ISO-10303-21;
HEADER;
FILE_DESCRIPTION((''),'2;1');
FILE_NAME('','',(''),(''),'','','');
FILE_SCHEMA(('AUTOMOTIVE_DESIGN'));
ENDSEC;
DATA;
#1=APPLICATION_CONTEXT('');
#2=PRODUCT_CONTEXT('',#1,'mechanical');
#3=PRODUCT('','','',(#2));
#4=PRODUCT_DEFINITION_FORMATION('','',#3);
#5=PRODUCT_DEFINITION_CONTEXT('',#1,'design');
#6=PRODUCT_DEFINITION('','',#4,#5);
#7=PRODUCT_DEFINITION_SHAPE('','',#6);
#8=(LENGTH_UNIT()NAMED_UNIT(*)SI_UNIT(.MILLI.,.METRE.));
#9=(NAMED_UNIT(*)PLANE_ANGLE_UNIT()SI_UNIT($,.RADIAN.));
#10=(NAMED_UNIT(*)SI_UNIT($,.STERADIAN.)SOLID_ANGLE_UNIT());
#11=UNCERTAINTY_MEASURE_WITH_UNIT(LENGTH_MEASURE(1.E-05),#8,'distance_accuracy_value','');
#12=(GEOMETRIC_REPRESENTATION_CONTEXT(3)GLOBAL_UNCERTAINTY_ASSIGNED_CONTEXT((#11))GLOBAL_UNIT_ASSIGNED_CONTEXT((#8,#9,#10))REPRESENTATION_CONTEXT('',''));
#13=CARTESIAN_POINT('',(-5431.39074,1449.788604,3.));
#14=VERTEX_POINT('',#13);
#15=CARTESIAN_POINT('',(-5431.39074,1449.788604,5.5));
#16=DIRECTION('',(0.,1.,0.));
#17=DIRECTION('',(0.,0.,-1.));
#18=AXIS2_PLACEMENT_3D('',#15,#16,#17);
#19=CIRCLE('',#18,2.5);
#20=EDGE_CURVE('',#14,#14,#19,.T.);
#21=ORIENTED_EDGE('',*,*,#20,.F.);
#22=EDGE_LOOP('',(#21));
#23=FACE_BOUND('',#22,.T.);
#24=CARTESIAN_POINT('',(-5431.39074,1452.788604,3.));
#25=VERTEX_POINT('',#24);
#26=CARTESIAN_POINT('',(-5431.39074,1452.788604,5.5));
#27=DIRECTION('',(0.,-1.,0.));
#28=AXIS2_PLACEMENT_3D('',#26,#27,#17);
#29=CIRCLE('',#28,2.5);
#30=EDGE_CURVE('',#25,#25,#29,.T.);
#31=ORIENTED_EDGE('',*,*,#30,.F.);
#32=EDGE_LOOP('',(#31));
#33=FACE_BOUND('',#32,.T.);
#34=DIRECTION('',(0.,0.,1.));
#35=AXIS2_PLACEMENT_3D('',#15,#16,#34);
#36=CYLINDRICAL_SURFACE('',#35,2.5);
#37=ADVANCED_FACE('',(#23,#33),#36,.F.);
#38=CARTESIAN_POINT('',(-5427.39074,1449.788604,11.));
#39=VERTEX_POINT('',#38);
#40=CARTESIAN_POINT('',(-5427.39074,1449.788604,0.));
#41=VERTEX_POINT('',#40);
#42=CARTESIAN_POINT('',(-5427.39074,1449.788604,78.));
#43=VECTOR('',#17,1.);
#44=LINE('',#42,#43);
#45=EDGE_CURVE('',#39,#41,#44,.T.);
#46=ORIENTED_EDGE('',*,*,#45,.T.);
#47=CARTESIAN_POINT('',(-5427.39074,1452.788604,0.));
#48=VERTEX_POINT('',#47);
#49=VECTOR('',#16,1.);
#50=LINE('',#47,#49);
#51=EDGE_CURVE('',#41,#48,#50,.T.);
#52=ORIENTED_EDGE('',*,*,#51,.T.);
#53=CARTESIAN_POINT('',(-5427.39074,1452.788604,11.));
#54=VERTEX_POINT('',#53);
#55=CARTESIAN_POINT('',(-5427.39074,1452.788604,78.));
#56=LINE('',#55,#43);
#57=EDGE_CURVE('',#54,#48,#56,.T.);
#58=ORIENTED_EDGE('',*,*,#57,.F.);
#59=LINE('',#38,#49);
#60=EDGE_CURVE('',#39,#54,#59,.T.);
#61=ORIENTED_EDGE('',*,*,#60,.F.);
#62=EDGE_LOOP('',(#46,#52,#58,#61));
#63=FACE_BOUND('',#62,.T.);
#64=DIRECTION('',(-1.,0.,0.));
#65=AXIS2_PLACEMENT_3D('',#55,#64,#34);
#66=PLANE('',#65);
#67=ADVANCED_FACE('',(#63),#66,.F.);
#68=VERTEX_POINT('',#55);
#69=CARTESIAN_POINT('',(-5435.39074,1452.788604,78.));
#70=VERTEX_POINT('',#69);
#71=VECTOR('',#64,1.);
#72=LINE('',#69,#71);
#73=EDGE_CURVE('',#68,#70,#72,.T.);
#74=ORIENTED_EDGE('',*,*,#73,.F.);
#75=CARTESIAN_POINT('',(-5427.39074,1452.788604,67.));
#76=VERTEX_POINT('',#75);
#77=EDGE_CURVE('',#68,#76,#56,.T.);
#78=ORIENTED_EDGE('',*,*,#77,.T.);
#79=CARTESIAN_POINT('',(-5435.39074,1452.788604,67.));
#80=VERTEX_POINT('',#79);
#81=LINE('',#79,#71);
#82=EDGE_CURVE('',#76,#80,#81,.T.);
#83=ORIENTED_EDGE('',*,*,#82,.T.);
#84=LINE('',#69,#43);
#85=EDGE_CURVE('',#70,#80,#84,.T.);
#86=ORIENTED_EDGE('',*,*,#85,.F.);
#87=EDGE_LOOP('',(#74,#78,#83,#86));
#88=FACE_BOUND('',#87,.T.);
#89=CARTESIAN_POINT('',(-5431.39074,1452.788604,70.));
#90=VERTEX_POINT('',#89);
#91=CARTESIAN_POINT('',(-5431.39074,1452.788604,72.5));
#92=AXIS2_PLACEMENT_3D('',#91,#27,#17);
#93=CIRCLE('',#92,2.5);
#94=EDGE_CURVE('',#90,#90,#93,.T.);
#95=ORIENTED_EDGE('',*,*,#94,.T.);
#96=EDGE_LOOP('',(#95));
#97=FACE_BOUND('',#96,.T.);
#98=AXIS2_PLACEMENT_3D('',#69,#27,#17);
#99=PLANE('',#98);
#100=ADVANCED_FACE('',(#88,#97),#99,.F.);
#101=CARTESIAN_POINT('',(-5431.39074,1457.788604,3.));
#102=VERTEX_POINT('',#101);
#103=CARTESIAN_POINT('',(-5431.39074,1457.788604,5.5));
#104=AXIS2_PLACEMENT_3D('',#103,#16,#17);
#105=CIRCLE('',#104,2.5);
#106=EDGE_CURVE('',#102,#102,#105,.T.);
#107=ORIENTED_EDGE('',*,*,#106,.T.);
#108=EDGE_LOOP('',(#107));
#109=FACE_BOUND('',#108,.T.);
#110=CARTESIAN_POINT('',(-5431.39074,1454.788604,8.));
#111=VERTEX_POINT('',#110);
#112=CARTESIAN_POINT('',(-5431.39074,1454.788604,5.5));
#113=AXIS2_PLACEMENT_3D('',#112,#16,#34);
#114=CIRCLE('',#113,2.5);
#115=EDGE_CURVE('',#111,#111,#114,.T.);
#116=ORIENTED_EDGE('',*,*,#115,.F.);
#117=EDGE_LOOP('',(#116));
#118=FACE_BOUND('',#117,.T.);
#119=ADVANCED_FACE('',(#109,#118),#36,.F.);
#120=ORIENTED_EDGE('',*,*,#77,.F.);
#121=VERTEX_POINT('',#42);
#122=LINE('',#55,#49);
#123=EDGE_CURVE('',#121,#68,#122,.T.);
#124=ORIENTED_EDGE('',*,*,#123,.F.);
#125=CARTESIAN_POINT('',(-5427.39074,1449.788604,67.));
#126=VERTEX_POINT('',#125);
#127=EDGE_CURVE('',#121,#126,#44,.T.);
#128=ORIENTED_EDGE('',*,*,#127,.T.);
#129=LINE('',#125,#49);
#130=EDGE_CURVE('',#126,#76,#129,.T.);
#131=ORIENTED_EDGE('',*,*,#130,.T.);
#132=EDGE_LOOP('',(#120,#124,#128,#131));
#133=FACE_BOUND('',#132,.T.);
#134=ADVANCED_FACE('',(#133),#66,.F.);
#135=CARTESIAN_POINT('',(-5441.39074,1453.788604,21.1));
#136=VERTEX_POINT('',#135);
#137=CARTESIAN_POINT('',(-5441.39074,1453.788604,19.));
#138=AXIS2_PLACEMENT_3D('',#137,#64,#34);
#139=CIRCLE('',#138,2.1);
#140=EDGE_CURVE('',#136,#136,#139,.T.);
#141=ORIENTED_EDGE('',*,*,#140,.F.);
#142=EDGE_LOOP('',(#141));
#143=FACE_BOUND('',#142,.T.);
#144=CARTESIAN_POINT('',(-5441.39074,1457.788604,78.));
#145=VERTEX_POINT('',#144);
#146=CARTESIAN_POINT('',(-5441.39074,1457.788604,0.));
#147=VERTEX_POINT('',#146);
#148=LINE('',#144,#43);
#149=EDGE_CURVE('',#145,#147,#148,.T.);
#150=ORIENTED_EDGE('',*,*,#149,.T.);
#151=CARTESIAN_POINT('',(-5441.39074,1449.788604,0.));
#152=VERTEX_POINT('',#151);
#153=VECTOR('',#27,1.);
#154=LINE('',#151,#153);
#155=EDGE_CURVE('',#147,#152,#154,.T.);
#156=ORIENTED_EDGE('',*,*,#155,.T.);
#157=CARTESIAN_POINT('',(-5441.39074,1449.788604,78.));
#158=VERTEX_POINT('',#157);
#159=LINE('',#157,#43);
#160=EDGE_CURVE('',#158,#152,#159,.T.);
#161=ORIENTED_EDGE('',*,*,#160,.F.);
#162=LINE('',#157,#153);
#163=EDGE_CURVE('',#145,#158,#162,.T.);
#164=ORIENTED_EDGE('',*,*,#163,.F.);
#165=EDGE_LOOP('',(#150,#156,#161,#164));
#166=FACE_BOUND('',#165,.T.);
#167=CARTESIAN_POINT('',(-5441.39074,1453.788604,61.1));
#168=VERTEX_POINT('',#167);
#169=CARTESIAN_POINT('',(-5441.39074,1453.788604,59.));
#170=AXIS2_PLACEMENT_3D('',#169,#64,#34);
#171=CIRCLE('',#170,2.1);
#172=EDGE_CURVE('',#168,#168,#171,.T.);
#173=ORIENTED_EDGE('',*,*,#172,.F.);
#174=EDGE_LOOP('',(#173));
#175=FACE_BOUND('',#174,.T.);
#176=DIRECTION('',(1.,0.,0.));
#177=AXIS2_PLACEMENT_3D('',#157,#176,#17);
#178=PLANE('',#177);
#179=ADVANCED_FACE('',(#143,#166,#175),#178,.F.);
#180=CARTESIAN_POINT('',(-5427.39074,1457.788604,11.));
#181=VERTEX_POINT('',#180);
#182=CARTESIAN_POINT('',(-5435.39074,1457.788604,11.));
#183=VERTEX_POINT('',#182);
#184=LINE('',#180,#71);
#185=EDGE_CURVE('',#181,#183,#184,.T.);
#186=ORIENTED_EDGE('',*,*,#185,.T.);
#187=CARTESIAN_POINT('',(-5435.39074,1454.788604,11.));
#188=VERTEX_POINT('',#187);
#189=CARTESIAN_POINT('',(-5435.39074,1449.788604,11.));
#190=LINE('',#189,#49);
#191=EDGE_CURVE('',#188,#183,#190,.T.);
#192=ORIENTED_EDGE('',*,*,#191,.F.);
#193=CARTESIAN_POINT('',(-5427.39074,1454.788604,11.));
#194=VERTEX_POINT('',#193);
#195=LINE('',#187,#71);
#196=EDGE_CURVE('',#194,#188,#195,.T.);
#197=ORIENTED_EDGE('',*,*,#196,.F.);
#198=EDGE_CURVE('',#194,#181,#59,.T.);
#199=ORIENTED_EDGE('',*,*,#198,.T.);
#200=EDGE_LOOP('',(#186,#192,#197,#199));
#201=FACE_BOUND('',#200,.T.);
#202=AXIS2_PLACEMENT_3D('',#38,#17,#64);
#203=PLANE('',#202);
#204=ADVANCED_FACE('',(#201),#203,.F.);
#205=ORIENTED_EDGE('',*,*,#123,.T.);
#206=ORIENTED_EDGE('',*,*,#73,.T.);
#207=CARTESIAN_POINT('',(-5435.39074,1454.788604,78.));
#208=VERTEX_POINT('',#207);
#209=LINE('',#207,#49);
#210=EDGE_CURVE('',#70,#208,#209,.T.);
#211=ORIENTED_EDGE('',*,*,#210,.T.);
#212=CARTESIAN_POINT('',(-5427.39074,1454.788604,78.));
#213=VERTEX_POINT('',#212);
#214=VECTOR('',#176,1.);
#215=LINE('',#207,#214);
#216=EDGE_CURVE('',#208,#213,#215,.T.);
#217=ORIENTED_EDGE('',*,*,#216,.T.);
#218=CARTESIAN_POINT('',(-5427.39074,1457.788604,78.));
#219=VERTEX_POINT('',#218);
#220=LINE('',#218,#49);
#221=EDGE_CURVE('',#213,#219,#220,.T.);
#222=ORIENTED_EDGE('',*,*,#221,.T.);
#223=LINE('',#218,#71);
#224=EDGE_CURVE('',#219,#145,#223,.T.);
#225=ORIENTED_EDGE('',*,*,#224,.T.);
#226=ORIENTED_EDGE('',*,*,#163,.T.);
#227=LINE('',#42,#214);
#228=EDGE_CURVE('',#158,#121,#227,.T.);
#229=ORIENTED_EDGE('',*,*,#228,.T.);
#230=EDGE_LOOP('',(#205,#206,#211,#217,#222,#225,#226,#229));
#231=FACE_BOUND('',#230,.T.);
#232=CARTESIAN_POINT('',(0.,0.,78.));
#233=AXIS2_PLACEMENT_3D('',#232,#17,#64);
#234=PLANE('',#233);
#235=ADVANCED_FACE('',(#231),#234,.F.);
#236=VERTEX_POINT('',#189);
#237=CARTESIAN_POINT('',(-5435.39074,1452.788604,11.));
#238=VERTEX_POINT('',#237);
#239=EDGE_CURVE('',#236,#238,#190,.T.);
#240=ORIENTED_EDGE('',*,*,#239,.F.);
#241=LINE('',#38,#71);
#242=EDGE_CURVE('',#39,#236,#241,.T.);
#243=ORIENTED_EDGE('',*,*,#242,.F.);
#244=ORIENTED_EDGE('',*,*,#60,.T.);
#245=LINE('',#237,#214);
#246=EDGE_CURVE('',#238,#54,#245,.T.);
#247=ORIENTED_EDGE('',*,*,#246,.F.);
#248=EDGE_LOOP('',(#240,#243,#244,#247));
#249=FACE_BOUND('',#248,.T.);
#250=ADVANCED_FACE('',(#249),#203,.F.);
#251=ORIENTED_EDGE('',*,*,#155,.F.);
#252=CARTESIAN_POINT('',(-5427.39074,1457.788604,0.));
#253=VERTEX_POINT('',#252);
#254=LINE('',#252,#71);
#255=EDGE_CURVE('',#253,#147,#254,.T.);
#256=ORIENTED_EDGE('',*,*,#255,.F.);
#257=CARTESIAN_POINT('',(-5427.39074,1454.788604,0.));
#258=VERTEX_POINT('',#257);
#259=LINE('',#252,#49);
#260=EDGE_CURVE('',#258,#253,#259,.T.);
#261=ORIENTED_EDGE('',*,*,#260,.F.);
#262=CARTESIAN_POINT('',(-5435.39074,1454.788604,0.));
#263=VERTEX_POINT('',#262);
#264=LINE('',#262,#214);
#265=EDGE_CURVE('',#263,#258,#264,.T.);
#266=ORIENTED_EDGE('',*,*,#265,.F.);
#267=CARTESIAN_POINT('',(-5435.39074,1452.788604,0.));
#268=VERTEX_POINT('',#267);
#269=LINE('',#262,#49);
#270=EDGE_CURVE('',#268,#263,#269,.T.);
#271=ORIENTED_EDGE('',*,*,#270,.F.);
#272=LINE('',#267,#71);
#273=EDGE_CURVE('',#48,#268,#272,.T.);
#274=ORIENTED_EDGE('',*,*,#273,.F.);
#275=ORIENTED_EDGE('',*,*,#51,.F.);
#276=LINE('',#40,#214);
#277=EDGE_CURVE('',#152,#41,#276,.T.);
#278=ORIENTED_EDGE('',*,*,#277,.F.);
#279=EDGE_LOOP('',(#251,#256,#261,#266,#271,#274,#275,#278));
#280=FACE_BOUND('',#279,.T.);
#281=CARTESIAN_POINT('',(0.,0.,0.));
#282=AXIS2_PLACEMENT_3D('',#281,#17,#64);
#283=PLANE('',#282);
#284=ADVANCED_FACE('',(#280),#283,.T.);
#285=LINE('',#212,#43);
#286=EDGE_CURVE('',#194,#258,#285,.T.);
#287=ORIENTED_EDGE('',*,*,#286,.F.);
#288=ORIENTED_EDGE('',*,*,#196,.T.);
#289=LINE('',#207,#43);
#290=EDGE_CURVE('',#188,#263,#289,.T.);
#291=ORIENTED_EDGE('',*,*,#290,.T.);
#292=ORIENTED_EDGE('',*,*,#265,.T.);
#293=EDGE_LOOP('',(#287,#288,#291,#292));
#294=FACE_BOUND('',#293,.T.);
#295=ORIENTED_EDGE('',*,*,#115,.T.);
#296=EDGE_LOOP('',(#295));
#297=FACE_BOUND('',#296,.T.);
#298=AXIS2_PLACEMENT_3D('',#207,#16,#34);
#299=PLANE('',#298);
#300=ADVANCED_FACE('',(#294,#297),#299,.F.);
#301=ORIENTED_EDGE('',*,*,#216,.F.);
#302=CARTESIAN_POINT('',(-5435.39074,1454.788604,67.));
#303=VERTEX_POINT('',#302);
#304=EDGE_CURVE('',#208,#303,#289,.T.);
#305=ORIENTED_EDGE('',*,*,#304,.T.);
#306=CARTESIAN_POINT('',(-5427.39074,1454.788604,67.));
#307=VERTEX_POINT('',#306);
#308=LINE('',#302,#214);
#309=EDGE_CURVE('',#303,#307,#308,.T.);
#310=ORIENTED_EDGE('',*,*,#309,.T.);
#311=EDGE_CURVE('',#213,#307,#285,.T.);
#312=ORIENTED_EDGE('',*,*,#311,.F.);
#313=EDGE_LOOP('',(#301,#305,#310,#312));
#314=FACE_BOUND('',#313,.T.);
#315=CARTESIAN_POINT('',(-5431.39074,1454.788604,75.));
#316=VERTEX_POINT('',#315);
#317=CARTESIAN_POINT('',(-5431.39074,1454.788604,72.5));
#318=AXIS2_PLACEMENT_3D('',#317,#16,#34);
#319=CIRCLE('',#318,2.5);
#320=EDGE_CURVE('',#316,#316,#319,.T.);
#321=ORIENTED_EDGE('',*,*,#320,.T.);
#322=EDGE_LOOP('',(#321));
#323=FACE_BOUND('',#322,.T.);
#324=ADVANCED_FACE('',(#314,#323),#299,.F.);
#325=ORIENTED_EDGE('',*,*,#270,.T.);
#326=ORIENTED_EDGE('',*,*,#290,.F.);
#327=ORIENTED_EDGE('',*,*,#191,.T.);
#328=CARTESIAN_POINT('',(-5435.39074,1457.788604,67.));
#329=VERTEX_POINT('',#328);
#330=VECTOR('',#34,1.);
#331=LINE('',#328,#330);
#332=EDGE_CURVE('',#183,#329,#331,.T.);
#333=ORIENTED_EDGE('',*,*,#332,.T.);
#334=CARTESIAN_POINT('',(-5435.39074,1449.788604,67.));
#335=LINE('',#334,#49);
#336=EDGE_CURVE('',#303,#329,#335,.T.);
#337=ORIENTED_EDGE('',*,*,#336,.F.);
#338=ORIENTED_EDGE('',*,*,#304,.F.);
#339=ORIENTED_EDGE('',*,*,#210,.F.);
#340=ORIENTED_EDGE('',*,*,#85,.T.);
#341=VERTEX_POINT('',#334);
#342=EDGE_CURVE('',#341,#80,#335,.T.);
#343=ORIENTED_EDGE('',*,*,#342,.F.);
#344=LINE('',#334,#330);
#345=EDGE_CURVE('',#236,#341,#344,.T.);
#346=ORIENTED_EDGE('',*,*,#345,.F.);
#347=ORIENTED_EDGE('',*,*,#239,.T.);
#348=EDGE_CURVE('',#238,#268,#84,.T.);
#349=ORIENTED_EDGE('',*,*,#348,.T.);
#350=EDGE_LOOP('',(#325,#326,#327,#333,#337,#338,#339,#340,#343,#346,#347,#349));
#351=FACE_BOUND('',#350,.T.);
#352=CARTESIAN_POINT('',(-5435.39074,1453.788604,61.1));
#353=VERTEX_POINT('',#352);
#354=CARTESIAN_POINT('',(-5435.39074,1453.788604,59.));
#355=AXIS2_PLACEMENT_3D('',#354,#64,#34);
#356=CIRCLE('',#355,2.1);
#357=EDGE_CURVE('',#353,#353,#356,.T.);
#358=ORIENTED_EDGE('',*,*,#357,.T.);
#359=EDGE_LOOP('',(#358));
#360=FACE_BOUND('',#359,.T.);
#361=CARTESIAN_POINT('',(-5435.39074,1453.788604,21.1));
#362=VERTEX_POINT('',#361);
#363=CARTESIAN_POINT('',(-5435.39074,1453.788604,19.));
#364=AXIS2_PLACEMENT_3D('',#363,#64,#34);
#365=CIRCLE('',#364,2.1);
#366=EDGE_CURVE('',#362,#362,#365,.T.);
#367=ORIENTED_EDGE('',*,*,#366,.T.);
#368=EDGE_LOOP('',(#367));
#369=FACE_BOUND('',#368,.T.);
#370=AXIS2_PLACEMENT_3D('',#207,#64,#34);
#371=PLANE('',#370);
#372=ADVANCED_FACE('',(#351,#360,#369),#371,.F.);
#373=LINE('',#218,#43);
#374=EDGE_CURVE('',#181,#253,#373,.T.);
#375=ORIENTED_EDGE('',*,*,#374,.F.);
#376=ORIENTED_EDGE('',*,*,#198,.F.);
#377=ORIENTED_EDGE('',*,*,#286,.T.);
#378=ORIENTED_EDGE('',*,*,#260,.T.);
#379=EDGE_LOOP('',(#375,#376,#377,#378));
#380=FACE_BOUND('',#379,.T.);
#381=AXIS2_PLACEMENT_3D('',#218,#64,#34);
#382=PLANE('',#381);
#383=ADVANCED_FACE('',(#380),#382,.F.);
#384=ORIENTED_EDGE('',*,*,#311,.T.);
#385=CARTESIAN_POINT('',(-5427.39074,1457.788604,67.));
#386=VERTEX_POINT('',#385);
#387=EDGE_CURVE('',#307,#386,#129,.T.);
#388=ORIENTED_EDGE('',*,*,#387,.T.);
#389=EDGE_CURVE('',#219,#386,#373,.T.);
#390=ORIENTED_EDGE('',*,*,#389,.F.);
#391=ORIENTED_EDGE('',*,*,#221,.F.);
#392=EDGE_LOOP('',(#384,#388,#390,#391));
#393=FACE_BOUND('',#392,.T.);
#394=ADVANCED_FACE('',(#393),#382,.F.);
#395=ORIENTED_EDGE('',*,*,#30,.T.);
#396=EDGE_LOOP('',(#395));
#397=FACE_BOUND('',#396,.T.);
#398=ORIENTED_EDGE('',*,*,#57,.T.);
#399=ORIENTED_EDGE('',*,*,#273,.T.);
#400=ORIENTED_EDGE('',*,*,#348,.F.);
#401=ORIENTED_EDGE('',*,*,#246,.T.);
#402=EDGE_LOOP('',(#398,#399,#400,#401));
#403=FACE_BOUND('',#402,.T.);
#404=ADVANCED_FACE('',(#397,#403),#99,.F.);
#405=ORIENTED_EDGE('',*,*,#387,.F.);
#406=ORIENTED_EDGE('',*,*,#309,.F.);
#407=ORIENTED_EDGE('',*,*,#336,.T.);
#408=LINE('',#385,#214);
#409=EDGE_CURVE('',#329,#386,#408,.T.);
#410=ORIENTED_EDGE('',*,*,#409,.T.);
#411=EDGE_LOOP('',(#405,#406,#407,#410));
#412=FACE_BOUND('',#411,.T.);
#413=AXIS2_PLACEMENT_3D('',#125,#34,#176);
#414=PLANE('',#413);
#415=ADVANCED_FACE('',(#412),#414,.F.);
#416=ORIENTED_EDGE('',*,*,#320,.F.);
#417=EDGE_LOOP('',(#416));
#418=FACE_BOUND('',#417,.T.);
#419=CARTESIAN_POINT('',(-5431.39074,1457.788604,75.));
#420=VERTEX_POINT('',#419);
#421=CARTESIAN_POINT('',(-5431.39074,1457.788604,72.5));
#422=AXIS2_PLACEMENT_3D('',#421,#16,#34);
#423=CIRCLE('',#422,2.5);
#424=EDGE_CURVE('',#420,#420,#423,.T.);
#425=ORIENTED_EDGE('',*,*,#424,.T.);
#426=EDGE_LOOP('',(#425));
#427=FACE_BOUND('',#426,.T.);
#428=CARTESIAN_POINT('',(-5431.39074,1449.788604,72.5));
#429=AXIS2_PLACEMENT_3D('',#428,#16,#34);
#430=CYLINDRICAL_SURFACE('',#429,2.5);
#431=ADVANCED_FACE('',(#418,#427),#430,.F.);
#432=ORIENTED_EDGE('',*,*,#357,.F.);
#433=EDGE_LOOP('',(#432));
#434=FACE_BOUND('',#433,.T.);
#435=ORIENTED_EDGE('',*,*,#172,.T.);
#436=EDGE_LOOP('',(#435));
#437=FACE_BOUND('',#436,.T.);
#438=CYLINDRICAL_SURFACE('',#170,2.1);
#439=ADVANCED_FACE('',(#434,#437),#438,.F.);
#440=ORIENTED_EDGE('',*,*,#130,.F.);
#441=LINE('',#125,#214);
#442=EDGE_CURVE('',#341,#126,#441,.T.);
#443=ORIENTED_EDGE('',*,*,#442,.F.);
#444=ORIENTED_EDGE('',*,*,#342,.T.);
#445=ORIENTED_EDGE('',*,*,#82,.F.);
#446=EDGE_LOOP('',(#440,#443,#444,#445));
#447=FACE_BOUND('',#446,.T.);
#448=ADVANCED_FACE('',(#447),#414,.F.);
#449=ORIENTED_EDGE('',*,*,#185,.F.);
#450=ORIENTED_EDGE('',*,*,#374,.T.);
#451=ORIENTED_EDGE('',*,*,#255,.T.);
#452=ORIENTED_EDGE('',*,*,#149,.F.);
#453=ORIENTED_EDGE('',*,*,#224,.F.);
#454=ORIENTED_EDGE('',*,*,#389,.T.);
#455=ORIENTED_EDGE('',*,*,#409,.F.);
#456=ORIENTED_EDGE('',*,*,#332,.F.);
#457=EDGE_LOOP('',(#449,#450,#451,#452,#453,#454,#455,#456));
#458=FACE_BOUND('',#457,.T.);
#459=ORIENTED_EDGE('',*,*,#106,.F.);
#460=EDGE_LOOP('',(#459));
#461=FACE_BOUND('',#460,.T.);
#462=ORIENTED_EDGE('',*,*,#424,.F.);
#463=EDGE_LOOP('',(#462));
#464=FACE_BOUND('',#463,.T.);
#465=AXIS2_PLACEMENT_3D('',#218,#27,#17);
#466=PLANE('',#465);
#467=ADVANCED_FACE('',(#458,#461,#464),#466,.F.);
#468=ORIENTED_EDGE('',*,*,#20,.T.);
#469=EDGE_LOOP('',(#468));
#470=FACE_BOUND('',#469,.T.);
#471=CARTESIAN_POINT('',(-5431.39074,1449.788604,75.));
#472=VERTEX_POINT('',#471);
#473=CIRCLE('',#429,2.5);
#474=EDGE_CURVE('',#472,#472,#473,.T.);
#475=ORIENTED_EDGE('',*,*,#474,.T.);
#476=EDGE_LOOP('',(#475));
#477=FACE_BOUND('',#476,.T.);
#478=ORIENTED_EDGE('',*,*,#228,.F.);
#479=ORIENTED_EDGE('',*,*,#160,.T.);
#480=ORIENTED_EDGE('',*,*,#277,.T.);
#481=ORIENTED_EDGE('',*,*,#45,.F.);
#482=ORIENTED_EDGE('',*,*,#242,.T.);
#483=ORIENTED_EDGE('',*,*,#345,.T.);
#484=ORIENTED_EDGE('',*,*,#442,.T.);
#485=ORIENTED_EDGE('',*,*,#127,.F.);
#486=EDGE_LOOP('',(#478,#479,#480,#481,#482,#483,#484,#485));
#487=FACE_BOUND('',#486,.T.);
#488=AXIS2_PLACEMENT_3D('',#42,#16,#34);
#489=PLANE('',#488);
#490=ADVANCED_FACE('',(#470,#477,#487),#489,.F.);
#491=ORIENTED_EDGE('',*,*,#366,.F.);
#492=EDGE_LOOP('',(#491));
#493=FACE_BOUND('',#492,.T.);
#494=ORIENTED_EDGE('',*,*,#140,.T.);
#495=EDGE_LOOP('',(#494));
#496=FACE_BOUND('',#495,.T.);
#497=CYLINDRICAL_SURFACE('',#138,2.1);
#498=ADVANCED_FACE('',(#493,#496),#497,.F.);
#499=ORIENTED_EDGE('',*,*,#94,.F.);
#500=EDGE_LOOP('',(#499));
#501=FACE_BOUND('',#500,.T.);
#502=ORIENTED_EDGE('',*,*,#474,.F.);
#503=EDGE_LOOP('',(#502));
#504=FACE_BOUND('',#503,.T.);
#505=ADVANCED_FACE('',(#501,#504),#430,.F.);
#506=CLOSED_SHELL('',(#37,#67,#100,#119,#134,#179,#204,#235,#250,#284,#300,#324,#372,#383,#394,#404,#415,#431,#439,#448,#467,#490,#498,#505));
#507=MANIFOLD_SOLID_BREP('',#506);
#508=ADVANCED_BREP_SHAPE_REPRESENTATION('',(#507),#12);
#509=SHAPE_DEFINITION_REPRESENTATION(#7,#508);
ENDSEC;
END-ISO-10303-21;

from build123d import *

# Parameters (mm, degrees)
EXTRUDE_1_DEPTH     = 78
SKETCH_2_W          = 8
SKETCH_2_H          = 56
CUT_EXTRUDE_1_DEPTH = 9
SKETCH_3_R          = 2.5
CUT_EXTRUDE_2_DEPTH = 9
HOLE_WIZARD_M5_1_D  = 4.2


with BuildPart() as part:
    # 草图1 → 凸台-拉伸1 (new body)
    with BuildSketch(Plane.XY):
        Polygon((-5441.39073995, 1449.788604117), (-5441.39073995, 1457.788604117), (-5427.39073995, 1457.788604117), (-5427.39073995, 1454.788604117), (-5435.39073995, 1454.788604117), (-5435.39073995, 1452.788604117), (-5427.39073995, 1452.788604117), (-5427.39073995, 1449.788604117), align=None)
    extrude(amount=EXTRUDE_1_DEPTH)

    # 草图2 → 切除-拉伸1 (cut, through all)
    with BuildSketch(Plane(origin=(0, 1457.788604117, 0), x_dir=(1, 0, 0), z_dir=(0, 1, 0))):
        with Locations((-5431.39073995, -39)):
            Rectangle(SKETCH_2_W, SKETCH_2_H)
    extrude(amount=-CUT_EXTRUDE_1_DEPTH, mode=Mode.SUBTRACT)

    # 草图3 → 切除-拉伸2 (cut, through all)
    with BuildSketch(Plane(origin=(0, 1457.788604117, 0), x_dir=(1, 0, 0), z_dir=(0, 1, 0))):
        with Locations((-5431.39073995, -72.5)):
            Circle(SKETCH_3_R)
        with Locations((-5431.39073995, -5.5)):
            Circle(SKETCH_3_R)
    extrude(amount=-CUT_EXTRUDE_2_DEPTH, mode=Mode.SUBTRACT)

    # M5 螺纹孔1 (through all)
    with Locations(Plane.ZY.offset(5441.39073995)):
        with Locations((59, 1453.788604117), (19, 1453.788604117)):
            Hole(HOLE_WIZARD_M5_1_D / 2)


solid = part.part
